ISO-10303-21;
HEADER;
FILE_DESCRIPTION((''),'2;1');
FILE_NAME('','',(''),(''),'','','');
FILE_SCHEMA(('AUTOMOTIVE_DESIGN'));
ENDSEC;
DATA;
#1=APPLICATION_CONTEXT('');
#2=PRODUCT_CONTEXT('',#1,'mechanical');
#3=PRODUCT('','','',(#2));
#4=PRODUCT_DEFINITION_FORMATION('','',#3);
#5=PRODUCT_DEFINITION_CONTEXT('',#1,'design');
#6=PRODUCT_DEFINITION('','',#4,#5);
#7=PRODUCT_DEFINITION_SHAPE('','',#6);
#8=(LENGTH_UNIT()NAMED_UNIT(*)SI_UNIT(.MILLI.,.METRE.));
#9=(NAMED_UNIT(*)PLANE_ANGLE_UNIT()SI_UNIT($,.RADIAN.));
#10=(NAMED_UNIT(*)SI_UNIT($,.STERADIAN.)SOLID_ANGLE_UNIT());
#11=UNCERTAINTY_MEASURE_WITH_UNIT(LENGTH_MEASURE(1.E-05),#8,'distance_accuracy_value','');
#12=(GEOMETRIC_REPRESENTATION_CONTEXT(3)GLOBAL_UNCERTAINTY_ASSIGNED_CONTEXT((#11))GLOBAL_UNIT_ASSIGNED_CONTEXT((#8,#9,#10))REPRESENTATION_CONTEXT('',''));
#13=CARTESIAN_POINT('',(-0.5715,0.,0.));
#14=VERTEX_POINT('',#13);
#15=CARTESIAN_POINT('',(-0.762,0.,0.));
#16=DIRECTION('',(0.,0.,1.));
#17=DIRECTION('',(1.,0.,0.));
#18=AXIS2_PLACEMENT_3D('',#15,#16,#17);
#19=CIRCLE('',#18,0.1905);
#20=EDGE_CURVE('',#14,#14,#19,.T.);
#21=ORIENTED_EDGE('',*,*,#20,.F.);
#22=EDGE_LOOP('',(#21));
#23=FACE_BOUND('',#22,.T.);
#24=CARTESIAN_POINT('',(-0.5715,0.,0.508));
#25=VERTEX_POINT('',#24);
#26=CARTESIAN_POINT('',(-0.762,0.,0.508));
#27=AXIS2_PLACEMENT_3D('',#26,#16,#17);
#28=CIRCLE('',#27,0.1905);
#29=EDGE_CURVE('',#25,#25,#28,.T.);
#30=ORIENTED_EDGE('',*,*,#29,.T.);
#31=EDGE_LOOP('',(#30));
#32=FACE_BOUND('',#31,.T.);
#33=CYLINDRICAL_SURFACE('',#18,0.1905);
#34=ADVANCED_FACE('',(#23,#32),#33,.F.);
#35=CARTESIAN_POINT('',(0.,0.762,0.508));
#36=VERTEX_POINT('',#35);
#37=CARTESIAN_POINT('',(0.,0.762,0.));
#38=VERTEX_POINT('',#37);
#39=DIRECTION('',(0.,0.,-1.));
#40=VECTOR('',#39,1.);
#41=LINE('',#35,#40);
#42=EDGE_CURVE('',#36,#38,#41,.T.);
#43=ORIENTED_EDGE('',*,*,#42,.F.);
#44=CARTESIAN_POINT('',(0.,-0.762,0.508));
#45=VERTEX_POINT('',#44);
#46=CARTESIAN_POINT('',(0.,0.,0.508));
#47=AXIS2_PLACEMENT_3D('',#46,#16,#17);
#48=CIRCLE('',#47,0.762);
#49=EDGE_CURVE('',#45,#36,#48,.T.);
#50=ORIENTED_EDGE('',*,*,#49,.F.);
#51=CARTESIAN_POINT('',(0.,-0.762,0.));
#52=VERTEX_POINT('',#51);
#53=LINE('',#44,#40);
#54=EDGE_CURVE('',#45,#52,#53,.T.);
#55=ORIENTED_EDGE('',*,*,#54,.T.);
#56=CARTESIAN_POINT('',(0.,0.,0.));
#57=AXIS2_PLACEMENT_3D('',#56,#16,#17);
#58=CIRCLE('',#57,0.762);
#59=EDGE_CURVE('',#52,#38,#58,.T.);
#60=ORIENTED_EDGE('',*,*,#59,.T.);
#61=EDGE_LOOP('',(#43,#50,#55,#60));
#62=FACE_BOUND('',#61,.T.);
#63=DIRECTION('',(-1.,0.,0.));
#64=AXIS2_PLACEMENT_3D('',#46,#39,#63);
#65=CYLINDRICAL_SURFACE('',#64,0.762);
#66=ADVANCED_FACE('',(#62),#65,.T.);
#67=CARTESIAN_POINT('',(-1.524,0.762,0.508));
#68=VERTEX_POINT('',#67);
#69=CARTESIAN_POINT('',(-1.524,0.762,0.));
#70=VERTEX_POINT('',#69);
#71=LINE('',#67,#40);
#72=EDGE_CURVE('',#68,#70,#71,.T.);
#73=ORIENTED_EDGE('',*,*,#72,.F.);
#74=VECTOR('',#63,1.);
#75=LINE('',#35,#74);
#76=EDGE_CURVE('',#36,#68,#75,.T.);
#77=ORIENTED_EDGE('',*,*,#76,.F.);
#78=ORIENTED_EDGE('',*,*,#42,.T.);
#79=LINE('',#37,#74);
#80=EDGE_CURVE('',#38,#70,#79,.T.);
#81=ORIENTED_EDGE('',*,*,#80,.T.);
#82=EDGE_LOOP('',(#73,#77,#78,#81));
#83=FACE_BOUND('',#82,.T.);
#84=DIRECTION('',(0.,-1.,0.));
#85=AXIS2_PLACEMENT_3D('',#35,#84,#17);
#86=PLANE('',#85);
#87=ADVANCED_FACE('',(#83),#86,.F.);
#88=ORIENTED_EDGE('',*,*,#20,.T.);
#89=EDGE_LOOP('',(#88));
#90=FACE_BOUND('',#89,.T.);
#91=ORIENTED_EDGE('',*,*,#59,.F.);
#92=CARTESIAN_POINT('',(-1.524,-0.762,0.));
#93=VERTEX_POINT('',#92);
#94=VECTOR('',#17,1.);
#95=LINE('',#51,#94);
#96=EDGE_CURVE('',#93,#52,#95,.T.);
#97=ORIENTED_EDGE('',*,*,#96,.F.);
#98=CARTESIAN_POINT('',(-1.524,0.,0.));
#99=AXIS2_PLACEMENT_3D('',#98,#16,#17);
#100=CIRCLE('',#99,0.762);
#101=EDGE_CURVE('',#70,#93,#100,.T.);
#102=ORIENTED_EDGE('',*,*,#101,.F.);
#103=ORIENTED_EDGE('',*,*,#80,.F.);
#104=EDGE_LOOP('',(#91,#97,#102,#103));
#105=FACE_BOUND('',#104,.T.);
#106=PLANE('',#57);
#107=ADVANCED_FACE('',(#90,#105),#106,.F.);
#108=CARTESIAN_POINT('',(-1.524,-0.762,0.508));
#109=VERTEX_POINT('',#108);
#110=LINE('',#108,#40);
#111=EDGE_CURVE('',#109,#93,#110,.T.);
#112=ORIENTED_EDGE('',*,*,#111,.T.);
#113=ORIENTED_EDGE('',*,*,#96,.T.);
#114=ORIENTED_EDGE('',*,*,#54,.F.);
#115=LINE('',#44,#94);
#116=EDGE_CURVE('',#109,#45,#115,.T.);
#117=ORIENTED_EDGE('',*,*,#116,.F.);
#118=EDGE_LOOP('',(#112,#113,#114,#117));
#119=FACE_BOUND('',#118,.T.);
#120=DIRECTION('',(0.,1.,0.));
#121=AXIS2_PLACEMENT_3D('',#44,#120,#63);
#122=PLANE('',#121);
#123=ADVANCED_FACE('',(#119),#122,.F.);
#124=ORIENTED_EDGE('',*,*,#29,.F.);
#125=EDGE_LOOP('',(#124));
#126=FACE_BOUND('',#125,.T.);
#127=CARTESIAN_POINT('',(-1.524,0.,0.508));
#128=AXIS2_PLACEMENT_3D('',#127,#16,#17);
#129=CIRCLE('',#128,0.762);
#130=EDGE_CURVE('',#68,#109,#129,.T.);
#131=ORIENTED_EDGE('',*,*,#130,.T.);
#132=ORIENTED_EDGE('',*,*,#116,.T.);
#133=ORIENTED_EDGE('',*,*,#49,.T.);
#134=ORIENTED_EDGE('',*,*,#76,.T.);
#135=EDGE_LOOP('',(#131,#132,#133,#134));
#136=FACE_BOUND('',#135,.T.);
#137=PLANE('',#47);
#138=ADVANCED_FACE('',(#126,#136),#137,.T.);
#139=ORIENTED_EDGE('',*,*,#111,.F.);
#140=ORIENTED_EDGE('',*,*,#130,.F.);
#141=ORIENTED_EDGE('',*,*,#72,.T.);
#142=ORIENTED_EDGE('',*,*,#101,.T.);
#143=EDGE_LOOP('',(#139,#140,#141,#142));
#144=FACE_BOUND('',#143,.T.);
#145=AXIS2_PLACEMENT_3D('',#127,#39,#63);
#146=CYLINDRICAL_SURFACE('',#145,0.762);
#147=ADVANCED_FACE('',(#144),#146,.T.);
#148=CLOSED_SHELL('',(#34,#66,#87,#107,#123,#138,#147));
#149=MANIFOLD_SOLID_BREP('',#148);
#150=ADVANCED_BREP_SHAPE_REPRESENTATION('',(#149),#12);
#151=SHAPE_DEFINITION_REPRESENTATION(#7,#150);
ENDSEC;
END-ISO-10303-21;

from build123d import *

# Parameters (mm, degrees)
BOSS_EXTRUDE1_DEPTH = 0.508
SKETCH2_R           = 0.1905
CUT_EXTRUDE1_DEPTH  = 0.508


with BuildPart() as part:
    # Sketch1 → Boss-Extrude1 (new body)
    with BuildSketch(Plane.XY):
        with BuildLine():
            Line((0, -0.762), (-1.524, -0.762))
            ThreePointArc((-1.524, -0.762), (-2.286, 0), (-1.524, 0.762))
            Line((-1.524, 0.762), (0, 0.762))
            ThreePointArc((0, 0.762), (0.762, 0), (0, -0.762))
        make_face()
    extrude(amount=BOSS_EXTRUDE1_DEPTH)

    # Sketch2 → Cut-Extrude1 (cut)
    with BuildSketch(Plane.XY.offset(0.508)):
        with Locations((-0.762, 0)):
            Circle(SKETCH2_R)
    extrude(amount=-CUT_EXTRUDE1_DEPTH, mode=Mode.SUBTRACT)


solid = part.part
